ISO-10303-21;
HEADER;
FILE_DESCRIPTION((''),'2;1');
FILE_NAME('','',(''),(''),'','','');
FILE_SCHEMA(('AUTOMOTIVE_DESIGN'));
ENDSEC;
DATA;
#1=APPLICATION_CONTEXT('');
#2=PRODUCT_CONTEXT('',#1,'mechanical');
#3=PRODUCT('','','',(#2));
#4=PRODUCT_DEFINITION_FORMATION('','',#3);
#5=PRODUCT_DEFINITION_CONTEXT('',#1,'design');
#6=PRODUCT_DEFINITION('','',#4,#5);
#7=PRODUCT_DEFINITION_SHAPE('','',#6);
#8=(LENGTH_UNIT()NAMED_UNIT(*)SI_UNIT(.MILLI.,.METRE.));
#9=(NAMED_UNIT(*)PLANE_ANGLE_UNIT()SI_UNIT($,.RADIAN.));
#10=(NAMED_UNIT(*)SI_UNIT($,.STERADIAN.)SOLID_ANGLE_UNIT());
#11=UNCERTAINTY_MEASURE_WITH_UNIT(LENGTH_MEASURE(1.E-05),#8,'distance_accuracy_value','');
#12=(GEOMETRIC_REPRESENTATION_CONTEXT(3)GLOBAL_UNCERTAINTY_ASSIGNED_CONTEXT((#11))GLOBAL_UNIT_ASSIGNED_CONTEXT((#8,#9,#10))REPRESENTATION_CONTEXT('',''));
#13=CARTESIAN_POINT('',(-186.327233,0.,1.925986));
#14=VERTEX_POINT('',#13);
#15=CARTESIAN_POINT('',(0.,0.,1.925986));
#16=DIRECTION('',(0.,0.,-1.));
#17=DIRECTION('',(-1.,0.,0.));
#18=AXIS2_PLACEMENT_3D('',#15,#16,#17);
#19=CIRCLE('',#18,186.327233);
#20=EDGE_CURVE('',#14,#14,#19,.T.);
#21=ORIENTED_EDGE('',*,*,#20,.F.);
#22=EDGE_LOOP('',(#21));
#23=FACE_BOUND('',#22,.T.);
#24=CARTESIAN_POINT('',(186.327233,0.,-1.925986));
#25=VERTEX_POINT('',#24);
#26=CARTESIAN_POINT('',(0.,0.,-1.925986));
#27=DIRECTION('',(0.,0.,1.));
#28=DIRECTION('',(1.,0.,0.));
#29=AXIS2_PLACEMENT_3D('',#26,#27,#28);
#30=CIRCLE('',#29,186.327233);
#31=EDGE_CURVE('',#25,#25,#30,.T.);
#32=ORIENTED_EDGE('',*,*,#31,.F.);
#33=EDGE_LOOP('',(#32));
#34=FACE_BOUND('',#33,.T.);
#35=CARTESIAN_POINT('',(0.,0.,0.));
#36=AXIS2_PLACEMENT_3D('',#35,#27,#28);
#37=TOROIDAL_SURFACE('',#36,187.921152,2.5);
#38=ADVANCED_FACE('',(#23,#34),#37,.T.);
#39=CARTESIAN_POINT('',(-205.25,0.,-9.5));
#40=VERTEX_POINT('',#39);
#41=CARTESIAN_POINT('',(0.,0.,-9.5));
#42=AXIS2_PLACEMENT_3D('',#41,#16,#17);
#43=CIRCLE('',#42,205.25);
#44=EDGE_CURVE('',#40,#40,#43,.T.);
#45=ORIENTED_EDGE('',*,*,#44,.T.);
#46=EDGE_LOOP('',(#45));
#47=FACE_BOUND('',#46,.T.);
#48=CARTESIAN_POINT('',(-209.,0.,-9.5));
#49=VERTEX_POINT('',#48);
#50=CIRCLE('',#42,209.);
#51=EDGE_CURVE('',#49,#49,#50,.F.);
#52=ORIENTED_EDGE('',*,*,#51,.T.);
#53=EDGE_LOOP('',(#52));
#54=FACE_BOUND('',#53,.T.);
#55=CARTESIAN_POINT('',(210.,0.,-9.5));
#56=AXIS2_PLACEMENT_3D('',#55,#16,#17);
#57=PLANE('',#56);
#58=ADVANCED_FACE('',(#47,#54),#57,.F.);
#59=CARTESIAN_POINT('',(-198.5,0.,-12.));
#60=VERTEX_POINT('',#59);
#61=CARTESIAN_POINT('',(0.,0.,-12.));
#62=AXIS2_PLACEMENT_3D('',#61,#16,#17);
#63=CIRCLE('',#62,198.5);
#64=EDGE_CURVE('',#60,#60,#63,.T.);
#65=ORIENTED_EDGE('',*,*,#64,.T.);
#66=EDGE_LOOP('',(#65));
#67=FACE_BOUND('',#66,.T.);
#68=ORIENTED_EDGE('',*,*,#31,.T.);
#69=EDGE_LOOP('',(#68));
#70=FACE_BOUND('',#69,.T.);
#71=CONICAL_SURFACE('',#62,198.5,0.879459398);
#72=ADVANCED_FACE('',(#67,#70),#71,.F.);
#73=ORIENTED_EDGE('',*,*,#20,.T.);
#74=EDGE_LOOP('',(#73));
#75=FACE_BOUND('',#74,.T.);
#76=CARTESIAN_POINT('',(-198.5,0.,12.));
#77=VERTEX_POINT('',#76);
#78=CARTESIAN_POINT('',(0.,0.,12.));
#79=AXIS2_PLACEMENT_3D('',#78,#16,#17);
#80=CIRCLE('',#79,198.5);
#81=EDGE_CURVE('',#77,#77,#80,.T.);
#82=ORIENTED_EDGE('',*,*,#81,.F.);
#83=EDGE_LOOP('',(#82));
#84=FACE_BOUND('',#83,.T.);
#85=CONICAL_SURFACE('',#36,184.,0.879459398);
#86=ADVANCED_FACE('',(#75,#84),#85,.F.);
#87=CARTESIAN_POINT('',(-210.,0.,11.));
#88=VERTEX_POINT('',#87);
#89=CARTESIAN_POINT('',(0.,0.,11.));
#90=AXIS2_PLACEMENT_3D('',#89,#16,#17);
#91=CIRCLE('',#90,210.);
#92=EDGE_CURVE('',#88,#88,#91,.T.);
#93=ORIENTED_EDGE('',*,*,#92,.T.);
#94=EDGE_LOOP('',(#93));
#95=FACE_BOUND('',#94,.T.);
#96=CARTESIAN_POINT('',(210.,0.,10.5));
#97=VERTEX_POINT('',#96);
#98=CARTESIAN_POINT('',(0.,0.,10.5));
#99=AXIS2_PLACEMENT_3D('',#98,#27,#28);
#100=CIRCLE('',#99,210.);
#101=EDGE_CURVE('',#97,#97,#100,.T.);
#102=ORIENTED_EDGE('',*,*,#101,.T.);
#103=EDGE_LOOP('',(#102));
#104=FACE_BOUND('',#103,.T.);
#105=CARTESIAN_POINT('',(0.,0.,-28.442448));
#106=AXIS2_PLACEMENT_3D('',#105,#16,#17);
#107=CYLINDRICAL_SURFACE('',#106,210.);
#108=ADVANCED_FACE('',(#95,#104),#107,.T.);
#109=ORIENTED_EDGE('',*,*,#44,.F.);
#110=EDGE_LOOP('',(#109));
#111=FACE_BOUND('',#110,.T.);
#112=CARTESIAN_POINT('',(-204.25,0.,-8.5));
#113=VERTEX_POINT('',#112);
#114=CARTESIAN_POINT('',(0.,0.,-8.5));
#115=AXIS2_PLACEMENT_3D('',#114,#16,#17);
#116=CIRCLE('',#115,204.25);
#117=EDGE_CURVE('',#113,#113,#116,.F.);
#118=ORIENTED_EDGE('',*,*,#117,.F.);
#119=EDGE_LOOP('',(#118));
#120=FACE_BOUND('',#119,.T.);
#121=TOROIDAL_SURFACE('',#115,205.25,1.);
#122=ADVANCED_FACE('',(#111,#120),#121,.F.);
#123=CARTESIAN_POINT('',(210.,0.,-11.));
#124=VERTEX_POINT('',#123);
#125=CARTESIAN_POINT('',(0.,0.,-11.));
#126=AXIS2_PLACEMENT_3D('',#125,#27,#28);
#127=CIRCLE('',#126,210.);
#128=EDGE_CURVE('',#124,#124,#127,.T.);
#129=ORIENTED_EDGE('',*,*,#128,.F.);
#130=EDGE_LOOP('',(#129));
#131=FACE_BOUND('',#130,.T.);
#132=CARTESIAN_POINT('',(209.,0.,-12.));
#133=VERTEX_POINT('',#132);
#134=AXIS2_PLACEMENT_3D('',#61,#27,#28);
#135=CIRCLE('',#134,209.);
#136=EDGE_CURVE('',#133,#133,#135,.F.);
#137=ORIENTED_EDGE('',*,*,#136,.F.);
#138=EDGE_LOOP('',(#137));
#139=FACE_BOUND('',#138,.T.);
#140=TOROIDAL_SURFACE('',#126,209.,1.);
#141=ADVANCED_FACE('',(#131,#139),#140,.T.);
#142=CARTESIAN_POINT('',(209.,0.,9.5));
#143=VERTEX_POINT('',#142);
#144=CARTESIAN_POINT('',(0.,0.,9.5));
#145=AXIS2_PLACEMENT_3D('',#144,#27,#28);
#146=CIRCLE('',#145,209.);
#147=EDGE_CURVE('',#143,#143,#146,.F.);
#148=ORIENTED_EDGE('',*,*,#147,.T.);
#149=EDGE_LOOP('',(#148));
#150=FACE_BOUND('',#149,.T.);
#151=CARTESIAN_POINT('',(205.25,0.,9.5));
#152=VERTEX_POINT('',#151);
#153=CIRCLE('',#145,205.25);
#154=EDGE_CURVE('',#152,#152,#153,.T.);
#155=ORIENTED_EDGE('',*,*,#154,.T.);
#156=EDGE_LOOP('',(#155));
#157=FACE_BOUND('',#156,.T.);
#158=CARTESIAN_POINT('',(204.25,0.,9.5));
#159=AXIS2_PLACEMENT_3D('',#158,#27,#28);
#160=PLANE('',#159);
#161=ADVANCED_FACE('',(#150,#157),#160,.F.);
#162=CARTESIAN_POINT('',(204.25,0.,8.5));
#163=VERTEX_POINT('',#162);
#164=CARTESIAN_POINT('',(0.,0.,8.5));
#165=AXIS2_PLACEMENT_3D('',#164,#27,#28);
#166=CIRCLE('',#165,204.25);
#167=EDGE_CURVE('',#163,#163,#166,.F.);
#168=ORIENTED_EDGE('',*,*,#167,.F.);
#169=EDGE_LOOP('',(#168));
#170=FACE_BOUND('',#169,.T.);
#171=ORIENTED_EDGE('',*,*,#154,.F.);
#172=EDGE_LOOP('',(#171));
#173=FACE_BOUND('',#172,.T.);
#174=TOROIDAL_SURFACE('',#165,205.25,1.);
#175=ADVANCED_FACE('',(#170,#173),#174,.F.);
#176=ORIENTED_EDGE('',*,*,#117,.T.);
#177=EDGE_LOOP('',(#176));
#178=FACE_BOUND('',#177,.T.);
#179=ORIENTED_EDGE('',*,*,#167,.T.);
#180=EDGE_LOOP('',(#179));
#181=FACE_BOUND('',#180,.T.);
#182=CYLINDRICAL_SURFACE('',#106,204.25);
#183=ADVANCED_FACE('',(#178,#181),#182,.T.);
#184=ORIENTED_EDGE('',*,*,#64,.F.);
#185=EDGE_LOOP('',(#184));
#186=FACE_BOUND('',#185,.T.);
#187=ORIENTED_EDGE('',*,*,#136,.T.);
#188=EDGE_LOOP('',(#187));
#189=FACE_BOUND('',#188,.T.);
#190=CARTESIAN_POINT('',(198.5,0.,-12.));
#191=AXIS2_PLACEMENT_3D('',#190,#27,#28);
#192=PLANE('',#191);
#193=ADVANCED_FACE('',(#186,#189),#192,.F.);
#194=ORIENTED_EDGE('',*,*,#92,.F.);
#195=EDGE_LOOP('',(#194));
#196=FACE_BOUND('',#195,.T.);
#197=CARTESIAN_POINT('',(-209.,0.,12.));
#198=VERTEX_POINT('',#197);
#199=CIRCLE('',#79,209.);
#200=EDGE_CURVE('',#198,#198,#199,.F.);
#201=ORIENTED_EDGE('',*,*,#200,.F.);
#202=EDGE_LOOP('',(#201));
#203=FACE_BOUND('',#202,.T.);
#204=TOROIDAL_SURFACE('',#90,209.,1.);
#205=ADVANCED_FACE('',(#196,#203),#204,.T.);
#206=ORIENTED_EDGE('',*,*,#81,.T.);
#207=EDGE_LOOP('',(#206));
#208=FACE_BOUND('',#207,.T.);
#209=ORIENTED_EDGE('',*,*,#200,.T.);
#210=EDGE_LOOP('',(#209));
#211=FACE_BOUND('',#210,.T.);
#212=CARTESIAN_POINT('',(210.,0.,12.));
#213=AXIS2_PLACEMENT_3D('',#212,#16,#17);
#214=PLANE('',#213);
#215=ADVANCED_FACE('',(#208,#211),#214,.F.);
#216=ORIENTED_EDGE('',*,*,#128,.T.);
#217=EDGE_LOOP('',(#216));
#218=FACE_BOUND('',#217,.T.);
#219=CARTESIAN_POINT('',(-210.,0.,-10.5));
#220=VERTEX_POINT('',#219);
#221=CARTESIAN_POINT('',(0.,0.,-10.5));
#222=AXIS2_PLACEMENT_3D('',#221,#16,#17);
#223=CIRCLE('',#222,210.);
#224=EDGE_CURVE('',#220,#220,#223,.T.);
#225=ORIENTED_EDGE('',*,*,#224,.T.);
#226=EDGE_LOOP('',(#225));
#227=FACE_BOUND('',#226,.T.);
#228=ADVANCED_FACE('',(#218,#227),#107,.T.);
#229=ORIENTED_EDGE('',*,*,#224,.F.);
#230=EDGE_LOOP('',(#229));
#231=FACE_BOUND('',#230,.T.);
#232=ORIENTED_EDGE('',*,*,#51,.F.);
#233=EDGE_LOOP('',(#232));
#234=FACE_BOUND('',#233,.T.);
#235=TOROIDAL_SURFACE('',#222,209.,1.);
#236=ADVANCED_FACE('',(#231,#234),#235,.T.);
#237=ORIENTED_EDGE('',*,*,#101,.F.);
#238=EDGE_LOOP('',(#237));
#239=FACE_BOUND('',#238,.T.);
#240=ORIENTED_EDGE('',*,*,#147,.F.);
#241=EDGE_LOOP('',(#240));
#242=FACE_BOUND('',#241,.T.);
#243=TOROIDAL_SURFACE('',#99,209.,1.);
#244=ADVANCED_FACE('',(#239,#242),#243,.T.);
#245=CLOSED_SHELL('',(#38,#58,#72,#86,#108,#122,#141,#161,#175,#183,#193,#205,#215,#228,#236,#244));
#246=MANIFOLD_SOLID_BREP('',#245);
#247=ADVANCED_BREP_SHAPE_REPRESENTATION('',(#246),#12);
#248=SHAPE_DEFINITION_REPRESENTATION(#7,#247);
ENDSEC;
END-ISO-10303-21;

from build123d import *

# Parameters (mm, degrees)
FILLET1_R = 2.5
FILLET2_R = 1


with BuildPart() as part:
    # Sketch2 → Revolve1 (revolve)
    with BuildSketch(Plane(origin=(0, 0, 0), x_dir=(1, 0, 0), z_dir=(0, 1, 0)), mode=Mode.PRIVATE) as revolve1_sk:
        Polygon((184, 0), (198.5, 12), (210, 12), (210, 9.5), (204.25, 9.5), (204.25, -9.5), (210, -9.5), (210, -12), (198.5, -12), align=None)
    revolve(revolve1_sk.sketch.rotate(Axis((0, 0, -28.442447853), (0, 0, 1)), 180), axis=Axis((0, 0, -28.442447853), (0, 0, 1)))

    # Fillet1
    fillet1_edges = [part.edges().sort_by_distance(p)[0] for p in [
        (184, 0, 0),
    ]]
    fillet(fillet1_edges, radius=FILLET1_R)

    # Fillet2
    fillet2_edges = [part.edges().sort_by_distance(p)[0] for p in [
        (210, 0, -12),
        (210, 0, 12),
        (210, 0, 9.5),
        (204.25, 0, 9.5),
        (204.25, 0, -9.5),
        (210, 0, -9.5),
    ]]
    fillet(fillet2_edges, radius=FILLET2_R)


solid = part.part
